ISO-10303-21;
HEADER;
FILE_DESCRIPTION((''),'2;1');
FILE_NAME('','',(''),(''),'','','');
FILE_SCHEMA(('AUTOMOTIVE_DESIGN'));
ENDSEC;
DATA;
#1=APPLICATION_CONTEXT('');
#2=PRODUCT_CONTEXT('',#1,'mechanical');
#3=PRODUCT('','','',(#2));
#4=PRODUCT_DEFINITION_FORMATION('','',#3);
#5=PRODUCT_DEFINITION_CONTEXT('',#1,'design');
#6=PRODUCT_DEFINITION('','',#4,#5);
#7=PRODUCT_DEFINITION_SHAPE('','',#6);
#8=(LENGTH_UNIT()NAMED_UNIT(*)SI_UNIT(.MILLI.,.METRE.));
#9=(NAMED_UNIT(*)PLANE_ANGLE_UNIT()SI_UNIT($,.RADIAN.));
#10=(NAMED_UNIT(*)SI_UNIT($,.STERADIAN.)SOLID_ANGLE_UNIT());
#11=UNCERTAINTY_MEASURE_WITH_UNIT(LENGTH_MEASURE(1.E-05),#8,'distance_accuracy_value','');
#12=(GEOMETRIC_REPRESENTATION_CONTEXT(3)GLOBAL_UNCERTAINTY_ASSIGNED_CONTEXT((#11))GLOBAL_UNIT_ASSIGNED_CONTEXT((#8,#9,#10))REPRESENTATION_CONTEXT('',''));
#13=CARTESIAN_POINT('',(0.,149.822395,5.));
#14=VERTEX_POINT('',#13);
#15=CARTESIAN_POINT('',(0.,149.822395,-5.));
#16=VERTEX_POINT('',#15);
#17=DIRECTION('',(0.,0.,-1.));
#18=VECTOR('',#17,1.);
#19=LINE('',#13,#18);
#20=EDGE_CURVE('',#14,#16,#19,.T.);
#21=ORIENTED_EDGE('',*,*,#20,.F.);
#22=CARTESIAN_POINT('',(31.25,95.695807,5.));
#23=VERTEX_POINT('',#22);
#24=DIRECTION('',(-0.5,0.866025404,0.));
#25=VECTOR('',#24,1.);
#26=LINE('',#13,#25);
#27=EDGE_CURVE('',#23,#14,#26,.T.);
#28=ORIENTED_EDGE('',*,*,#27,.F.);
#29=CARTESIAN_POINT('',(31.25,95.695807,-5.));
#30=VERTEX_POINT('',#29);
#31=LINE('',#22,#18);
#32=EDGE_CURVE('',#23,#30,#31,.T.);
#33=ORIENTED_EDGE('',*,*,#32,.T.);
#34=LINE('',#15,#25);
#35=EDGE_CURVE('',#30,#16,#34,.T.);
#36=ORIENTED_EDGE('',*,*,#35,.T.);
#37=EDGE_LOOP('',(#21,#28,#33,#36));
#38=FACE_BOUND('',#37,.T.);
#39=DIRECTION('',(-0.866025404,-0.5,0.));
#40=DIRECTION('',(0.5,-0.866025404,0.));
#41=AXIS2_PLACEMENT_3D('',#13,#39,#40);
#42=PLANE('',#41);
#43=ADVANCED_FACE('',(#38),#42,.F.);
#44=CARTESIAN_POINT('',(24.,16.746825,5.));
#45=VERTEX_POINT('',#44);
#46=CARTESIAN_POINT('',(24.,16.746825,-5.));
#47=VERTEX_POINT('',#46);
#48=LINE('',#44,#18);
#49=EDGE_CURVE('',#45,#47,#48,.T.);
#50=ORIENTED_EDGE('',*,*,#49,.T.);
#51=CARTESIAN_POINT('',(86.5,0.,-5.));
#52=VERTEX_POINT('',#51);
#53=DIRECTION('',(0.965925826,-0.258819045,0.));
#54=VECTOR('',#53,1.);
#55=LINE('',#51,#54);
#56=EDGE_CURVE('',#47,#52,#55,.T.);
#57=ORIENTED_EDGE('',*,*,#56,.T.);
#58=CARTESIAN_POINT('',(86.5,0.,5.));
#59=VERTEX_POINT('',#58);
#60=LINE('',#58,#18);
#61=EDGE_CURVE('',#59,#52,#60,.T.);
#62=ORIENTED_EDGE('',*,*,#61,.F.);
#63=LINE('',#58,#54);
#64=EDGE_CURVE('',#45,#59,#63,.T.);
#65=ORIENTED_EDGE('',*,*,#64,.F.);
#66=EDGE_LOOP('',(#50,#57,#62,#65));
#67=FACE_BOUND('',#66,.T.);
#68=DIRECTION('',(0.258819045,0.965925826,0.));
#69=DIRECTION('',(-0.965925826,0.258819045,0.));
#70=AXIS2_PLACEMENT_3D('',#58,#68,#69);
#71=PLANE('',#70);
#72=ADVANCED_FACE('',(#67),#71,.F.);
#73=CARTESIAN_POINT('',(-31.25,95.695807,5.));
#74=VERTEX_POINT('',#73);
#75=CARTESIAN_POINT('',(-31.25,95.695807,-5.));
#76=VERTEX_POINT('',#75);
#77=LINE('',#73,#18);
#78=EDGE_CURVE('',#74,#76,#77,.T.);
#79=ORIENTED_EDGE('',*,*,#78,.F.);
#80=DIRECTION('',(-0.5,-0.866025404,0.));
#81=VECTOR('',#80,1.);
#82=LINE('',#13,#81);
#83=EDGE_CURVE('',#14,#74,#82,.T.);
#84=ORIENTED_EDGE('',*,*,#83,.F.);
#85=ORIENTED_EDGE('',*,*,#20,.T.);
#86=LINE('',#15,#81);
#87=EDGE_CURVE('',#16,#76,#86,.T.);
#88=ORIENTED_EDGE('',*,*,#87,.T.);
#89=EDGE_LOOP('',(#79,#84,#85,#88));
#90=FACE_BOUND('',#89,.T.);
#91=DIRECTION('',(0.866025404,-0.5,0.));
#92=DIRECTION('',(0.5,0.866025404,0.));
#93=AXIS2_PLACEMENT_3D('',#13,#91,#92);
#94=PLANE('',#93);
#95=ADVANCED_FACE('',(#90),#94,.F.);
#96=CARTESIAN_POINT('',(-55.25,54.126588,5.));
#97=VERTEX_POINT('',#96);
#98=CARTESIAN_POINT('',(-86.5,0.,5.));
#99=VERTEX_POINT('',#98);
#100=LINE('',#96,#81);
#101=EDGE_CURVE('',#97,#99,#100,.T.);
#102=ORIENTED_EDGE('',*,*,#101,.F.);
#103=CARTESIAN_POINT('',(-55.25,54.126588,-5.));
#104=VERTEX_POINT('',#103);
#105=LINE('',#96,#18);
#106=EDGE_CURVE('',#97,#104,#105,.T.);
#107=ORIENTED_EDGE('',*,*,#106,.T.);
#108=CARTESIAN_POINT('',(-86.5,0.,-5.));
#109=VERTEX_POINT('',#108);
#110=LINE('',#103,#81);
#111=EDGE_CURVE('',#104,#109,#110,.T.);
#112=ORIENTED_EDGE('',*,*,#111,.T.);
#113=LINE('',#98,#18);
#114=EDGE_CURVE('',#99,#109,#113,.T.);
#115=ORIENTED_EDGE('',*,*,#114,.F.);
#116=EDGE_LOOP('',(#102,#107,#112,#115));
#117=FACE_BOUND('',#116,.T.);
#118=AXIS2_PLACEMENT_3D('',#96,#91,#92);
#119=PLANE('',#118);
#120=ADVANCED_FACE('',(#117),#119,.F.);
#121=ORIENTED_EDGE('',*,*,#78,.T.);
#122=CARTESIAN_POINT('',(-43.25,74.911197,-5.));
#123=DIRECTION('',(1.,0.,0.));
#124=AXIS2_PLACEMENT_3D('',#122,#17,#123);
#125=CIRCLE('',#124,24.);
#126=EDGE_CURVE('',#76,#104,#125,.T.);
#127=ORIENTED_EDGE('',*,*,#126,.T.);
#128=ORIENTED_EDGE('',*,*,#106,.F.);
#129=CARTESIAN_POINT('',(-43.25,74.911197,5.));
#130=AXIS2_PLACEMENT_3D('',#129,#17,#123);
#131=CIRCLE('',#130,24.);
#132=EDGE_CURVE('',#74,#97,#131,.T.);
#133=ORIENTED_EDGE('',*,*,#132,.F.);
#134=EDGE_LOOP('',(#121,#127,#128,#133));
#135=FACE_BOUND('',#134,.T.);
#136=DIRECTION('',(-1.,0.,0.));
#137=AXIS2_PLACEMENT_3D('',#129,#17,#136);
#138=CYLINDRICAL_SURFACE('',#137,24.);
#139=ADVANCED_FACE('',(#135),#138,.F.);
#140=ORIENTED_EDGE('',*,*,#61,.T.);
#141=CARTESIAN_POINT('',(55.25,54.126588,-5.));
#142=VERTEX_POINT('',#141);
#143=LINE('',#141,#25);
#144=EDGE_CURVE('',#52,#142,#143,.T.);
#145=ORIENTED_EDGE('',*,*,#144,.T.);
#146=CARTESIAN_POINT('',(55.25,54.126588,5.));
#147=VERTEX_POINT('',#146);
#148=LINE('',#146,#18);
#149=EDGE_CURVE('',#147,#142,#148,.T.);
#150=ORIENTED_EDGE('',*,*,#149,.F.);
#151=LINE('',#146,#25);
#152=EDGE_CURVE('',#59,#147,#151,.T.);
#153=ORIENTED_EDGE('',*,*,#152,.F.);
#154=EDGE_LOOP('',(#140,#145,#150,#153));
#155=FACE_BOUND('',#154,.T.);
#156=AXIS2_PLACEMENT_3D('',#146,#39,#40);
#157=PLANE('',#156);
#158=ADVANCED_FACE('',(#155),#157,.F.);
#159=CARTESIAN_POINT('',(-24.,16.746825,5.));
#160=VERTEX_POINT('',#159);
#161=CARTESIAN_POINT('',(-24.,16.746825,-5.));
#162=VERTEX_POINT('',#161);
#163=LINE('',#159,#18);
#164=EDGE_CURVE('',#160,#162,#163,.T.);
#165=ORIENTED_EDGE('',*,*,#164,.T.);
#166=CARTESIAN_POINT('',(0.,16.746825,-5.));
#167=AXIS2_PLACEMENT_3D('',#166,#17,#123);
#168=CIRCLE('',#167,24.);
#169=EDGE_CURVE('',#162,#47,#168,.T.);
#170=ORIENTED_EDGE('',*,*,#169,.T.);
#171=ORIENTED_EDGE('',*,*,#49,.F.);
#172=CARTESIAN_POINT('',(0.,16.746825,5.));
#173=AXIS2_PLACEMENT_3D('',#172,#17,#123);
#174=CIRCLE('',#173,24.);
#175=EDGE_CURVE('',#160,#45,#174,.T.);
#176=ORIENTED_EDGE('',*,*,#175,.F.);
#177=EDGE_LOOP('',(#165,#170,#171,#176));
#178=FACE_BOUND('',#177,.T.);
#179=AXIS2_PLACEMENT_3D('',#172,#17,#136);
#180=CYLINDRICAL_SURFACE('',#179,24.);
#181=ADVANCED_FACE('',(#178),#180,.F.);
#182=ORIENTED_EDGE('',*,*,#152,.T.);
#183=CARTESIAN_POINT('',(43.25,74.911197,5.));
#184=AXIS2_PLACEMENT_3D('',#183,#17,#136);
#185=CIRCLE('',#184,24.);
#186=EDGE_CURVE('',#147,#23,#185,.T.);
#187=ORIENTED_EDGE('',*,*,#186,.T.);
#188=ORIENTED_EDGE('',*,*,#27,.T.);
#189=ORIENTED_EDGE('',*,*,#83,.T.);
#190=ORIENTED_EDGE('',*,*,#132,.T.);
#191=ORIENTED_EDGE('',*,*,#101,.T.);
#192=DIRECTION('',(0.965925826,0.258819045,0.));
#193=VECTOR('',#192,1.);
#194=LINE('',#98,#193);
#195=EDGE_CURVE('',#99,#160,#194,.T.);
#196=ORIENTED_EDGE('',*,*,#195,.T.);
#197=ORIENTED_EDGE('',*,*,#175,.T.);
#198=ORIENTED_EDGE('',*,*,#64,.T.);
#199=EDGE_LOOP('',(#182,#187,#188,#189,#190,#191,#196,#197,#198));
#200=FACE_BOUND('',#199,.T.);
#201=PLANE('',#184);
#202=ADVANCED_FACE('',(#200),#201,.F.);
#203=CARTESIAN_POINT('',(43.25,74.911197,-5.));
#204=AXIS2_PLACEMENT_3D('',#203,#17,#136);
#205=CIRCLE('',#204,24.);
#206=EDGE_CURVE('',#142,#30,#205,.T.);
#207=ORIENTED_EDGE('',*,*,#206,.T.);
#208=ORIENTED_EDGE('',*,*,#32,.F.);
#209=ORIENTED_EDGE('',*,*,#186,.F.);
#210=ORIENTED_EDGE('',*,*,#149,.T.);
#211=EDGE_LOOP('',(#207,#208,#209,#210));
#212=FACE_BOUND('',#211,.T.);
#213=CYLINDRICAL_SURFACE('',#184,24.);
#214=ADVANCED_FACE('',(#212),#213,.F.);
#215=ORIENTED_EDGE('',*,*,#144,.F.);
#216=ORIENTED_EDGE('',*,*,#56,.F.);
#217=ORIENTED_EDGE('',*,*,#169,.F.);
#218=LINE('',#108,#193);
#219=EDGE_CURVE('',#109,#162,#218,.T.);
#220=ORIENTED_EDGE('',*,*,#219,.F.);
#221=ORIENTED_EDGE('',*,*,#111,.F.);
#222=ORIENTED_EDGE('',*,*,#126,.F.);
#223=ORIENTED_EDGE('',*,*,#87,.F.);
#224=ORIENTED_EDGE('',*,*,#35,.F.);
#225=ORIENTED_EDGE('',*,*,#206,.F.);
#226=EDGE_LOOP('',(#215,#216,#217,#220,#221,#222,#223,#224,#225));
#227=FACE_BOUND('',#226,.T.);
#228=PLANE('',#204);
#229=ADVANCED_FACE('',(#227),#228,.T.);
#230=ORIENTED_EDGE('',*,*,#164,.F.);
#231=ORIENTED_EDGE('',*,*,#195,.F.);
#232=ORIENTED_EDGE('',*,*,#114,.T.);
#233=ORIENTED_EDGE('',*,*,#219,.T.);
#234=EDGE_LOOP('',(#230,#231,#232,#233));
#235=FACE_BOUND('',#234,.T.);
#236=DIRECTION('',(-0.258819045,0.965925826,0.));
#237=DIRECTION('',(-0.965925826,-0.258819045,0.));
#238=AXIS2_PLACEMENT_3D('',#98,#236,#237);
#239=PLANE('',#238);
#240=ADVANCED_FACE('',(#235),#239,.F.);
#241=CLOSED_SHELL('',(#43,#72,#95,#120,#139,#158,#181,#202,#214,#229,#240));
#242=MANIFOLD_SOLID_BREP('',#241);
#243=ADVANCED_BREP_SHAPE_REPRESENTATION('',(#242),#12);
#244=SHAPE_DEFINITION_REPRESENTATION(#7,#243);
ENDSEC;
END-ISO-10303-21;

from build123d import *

# Parameters (mm, degrees)
BOSS_EXTRUDE1_DEPTH = 5


with BuildPart() as part:
    # Sketch1 → Boss-Extrude1 (new, symmetric)
    with BuildSketch(Plane.XY):
        with BuildLine():
            Line((0, 149.822394855), (-31.25, 95.695807118))
            ThreePointArc((-31.25, 95.695807118), (-22.465390309, 62.911197427), (-55.25, 54.126587737))
            Line((-55.25, 54.126587737), (-86.5, 0))
            Line((-86.5, 0), (-24, 16.746824527))
            ThreePointArc((-24, 16.746824527), (0, 40.746824527), (24, 16.746824527))
            Line((24, 16.746824527), (86.5, 0))
            Line((86.5, 0), (55.25, 54.126587737))
            ThreePointArc((55.25, 54.126587737), (22.465390309, 62.911197427), (31.25, 95.695807118))
            Line((31.25, 95.695807118), (0, 149.822394855))
        make_face()
    extrude(amount=BOSS_EXTRUDE1_DEPTH, both=True)


solid = part.part
